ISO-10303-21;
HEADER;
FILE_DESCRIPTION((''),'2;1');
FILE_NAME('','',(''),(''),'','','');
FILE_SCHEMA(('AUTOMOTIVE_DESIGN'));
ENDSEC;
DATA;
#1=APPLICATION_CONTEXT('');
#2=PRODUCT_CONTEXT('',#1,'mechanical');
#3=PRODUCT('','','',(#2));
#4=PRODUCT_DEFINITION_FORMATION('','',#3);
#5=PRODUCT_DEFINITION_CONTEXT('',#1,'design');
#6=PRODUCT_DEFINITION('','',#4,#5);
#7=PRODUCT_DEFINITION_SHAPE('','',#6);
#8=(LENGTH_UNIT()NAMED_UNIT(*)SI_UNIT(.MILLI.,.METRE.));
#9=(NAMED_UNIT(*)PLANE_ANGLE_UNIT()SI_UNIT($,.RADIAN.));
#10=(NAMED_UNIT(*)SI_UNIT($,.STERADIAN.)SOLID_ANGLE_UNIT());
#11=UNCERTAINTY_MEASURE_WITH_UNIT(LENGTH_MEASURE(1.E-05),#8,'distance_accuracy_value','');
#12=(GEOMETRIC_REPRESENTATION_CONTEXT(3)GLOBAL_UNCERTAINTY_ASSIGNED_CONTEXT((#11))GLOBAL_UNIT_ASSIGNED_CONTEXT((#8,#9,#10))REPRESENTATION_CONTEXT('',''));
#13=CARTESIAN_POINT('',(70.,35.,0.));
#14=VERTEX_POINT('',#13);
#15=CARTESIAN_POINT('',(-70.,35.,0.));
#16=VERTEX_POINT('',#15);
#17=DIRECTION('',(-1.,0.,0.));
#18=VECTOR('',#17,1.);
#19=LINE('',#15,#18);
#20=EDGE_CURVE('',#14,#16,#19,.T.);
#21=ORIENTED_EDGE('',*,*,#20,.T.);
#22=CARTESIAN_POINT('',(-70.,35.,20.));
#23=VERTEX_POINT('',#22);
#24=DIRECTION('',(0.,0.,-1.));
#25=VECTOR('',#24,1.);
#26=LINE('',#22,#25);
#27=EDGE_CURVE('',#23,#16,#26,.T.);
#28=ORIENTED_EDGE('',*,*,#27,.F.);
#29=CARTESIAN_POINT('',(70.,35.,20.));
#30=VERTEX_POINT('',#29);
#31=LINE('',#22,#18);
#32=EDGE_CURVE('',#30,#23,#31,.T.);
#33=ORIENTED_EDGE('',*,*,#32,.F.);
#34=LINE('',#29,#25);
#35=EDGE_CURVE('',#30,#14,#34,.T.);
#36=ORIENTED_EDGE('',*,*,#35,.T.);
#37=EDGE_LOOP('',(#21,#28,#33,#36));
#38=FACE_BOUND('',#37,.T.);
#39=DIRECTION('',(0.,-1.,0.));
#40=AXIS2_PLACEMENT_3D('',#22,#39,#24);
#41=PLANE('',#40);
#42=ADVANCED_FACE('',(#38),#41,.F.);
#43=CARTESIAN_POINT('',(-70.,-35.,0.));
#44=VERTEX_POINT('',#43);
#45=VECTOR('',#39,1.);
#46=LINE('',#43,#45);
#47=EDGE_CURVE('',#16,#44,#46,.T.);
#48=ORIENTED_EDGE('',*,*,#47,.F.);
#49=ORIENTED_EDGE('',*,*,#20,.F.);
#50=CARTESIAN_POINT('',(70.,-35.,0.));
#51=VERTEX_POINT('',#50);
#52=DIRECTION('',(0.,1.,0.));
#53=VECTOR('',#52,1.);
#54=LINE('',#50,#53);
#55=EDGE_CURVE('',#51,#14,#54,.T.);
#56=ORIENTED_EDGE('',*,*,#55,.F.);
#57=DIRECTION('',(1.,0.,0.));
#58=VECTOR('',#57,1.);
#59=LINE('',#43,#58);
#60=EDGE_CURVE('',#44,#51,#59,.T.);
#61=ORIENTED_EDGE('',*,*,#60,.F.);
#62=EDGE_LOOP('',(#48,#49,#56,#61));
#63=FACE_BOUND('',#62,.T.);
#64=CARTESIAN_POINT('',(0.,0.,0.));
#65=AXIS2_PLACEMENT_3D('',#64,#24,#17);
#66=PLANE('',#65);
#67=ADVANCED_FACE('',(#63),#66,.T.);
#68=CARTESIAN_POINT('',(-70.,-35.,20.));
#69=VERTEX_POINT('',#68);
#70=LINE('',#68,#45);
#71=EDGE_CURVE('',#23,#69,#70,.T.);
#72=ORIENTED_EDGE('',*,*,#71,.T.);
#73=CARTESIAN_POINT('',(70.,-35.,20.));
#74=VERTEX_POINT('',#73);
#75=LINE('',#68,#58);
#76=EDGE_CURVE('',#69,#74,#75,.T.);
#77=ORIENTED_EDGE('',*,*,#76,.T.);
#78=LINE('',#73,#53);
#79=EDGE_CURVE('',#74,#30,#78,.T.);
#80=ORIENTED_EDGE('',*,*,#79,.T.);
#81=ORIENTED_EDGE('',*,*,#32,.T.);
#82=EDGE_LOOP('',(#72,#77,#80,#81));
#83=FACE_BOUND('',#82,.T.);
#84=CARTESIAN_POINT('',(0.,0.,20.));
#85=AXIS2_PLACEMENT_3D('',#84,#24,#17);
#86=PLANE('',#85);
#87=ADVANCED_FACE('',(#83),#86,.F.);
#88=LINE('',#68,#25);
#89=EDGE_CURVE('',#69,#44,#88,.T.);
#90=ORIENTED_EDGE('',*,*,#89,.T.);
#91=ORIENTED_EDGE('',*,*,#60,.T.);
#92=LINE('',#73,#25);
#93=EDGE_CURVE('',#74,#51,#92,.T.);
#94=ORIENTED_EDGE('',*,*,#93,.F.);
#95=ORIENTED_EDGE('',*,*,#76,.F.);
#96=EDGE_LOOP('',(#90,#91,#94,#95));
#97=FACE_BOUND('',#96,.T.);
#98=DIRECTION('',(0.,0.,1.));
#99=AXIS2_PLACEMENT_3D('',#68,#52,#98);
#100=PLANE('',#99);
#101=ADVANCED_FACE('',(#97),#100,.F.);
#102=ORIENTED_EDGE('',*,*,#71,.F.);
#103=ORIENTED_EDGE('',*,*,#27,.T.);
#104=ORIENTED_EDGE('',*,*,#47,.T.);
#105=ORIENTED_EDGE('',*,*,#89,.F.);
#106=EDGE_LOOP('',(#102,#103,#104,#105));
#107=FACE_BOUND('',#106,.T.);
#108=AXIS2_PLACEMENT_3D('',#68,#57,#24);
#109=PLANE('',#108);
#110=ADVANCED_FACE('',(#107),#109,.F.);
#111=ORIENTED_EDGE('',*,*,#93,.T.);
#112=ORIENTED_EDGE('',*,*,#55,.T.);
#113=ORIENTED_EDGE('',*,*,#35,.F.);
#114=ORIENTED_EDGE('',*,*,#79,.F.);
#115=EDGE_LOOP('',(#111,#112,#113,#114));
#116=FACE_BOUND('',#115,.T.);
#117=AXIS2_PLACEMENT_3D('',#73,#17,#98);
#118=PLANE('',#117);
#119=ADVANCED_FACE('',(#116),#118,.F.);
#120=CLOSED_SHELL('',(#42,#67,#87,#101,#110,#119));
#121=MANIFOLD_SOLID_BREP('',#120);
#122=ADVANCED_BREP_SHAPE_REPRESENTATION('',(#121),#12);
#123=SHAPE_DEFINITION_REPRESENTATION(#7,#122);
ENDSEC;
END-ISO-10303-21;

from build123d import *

# Parameters (mm, degrees)
SKETCH_1_W      = 140
SKETCH_1_H      = 70
EXTRUDE_1_DEPTH = 20


with BuildPart() as part:
    # 草图1 → 凸台-拉伸1 (new body)
    with BuildSketch(Plane.XY):
        Rectangle(SKETCH_1_W, SKETCH_1_H)
    extrude(amount=EXTRUDE_1_DEPTH)


solid = part.part
